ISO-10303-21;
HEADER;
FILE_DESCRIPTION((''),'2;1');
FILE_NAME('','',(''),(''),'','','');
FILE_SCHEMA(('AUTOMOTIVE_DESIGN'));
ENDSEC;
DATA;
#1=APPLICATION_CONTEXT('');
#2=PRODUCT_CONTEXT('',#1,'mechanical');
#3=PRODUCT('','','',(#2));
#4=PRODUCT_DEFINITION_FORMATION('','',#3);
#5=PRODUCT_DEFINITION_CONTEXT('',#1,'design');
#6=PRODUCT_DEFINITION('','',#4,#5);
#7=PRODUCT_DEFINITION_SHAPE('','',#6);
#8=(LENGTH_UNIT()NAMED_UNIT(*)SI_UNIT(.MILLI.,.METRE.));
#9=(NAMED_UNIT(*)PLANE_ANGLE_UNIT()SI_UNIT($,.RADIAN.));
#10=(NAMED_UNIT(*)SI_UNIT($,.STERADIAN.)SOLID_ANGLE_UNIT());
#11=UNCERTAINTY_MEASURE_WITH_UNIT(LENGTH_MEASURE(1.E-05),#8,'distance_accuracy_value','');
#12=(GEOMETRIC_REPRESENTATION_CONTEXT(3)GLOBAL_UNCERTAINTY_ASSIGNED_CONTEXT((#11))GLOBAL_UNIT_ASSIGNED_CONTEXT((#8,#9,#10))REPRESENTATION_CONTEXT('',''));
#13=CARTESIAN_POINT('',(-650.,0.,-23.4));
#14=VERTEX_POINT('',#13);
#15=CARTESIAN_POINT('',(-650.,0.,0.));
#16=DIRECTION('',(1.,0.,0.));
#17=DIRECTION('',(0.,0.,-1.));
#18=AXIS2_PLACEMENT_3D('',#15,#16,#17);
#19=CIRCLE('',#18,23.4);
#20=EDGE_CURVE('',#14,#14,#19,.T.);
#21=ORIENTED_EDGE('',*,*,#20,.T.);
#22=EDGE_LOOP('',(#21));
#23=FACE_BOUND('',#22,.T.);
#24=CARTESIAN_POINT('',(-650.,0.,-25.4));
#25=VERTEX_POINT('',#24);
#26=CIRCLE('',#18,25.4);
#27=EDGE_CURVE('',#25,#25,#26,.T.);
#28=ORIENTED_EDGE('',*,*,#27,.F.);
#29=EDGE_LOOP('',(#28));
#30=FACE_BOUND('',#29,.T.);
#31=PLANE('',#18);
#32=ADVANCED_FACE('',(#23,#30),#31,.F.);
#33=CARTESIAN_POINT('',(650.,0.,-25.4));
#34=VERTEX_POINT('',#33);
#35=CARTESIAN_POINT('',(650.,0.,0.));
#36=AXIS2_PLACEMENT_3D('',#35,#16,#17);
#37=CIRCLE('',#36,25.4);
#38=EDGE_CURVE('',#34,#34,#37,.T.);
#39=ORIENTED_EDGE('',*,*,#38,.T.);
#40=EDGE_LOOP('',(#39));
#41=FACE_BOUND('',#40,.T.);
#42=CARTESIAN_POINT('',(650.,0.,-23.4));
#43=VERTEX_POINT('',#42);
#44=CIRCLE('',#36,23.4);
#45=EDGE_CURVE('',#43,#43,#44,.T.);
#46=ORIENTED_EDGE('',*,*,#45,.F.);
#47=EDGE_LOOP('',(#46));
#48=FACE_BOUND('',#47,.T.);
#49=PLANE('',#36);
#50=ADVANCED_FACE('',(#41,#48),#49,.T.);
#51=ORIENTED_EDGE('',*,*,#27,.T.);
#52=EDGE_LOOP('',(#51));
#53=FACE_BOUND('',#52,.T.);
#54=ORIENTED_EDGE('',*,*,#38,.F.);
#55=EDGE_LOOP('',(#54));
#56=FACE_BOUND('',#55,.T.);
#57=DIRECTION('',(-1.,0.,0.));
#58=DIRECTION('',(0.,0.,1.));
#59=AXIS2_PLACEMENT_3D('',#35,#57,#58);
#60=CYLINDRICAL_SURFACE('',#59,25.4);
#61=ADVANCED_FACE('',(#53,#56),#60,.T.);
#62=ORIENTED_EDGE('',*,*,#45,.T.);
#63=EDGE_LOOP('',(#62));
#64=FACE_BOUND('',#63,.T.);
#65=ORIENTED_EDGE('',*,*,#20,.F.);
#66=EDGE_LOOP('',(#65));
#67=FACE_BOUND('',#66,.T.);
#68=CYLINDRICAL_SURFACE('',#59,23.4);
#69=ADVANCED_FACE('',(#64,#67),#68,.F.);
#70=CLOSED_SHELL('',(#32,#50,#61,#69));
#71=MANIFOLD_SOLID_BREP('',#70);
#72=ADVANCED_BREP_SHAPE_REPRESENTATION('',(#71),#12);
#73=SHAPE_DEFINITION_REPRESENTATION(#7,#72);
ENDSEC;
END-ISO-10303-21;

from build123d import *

# Parameters (mm, degrees)
CROQUIS1_R              = 25.4
CROQUIS1_R_2            = 23.4
SALIENTE_EXTRUIR1_DEPTH = 650


with BuildPart() as part:
    # Croquis1 → Saliente-Extruir1 (new, symmetric)
    with BuildSketch(Plane(origin=(0, 0, 0), x_dir=(0, 0, -1), z_dir=(1, 0, 0))):
        Circle(CROQUIS1_R)
        Circle(CROQUIS1_R_2, mode=Mode.SUBTRACT)
    extrude(amount=SALIENTE_EXTRUIR1_DEPTH, both=True)


solid = part.part
